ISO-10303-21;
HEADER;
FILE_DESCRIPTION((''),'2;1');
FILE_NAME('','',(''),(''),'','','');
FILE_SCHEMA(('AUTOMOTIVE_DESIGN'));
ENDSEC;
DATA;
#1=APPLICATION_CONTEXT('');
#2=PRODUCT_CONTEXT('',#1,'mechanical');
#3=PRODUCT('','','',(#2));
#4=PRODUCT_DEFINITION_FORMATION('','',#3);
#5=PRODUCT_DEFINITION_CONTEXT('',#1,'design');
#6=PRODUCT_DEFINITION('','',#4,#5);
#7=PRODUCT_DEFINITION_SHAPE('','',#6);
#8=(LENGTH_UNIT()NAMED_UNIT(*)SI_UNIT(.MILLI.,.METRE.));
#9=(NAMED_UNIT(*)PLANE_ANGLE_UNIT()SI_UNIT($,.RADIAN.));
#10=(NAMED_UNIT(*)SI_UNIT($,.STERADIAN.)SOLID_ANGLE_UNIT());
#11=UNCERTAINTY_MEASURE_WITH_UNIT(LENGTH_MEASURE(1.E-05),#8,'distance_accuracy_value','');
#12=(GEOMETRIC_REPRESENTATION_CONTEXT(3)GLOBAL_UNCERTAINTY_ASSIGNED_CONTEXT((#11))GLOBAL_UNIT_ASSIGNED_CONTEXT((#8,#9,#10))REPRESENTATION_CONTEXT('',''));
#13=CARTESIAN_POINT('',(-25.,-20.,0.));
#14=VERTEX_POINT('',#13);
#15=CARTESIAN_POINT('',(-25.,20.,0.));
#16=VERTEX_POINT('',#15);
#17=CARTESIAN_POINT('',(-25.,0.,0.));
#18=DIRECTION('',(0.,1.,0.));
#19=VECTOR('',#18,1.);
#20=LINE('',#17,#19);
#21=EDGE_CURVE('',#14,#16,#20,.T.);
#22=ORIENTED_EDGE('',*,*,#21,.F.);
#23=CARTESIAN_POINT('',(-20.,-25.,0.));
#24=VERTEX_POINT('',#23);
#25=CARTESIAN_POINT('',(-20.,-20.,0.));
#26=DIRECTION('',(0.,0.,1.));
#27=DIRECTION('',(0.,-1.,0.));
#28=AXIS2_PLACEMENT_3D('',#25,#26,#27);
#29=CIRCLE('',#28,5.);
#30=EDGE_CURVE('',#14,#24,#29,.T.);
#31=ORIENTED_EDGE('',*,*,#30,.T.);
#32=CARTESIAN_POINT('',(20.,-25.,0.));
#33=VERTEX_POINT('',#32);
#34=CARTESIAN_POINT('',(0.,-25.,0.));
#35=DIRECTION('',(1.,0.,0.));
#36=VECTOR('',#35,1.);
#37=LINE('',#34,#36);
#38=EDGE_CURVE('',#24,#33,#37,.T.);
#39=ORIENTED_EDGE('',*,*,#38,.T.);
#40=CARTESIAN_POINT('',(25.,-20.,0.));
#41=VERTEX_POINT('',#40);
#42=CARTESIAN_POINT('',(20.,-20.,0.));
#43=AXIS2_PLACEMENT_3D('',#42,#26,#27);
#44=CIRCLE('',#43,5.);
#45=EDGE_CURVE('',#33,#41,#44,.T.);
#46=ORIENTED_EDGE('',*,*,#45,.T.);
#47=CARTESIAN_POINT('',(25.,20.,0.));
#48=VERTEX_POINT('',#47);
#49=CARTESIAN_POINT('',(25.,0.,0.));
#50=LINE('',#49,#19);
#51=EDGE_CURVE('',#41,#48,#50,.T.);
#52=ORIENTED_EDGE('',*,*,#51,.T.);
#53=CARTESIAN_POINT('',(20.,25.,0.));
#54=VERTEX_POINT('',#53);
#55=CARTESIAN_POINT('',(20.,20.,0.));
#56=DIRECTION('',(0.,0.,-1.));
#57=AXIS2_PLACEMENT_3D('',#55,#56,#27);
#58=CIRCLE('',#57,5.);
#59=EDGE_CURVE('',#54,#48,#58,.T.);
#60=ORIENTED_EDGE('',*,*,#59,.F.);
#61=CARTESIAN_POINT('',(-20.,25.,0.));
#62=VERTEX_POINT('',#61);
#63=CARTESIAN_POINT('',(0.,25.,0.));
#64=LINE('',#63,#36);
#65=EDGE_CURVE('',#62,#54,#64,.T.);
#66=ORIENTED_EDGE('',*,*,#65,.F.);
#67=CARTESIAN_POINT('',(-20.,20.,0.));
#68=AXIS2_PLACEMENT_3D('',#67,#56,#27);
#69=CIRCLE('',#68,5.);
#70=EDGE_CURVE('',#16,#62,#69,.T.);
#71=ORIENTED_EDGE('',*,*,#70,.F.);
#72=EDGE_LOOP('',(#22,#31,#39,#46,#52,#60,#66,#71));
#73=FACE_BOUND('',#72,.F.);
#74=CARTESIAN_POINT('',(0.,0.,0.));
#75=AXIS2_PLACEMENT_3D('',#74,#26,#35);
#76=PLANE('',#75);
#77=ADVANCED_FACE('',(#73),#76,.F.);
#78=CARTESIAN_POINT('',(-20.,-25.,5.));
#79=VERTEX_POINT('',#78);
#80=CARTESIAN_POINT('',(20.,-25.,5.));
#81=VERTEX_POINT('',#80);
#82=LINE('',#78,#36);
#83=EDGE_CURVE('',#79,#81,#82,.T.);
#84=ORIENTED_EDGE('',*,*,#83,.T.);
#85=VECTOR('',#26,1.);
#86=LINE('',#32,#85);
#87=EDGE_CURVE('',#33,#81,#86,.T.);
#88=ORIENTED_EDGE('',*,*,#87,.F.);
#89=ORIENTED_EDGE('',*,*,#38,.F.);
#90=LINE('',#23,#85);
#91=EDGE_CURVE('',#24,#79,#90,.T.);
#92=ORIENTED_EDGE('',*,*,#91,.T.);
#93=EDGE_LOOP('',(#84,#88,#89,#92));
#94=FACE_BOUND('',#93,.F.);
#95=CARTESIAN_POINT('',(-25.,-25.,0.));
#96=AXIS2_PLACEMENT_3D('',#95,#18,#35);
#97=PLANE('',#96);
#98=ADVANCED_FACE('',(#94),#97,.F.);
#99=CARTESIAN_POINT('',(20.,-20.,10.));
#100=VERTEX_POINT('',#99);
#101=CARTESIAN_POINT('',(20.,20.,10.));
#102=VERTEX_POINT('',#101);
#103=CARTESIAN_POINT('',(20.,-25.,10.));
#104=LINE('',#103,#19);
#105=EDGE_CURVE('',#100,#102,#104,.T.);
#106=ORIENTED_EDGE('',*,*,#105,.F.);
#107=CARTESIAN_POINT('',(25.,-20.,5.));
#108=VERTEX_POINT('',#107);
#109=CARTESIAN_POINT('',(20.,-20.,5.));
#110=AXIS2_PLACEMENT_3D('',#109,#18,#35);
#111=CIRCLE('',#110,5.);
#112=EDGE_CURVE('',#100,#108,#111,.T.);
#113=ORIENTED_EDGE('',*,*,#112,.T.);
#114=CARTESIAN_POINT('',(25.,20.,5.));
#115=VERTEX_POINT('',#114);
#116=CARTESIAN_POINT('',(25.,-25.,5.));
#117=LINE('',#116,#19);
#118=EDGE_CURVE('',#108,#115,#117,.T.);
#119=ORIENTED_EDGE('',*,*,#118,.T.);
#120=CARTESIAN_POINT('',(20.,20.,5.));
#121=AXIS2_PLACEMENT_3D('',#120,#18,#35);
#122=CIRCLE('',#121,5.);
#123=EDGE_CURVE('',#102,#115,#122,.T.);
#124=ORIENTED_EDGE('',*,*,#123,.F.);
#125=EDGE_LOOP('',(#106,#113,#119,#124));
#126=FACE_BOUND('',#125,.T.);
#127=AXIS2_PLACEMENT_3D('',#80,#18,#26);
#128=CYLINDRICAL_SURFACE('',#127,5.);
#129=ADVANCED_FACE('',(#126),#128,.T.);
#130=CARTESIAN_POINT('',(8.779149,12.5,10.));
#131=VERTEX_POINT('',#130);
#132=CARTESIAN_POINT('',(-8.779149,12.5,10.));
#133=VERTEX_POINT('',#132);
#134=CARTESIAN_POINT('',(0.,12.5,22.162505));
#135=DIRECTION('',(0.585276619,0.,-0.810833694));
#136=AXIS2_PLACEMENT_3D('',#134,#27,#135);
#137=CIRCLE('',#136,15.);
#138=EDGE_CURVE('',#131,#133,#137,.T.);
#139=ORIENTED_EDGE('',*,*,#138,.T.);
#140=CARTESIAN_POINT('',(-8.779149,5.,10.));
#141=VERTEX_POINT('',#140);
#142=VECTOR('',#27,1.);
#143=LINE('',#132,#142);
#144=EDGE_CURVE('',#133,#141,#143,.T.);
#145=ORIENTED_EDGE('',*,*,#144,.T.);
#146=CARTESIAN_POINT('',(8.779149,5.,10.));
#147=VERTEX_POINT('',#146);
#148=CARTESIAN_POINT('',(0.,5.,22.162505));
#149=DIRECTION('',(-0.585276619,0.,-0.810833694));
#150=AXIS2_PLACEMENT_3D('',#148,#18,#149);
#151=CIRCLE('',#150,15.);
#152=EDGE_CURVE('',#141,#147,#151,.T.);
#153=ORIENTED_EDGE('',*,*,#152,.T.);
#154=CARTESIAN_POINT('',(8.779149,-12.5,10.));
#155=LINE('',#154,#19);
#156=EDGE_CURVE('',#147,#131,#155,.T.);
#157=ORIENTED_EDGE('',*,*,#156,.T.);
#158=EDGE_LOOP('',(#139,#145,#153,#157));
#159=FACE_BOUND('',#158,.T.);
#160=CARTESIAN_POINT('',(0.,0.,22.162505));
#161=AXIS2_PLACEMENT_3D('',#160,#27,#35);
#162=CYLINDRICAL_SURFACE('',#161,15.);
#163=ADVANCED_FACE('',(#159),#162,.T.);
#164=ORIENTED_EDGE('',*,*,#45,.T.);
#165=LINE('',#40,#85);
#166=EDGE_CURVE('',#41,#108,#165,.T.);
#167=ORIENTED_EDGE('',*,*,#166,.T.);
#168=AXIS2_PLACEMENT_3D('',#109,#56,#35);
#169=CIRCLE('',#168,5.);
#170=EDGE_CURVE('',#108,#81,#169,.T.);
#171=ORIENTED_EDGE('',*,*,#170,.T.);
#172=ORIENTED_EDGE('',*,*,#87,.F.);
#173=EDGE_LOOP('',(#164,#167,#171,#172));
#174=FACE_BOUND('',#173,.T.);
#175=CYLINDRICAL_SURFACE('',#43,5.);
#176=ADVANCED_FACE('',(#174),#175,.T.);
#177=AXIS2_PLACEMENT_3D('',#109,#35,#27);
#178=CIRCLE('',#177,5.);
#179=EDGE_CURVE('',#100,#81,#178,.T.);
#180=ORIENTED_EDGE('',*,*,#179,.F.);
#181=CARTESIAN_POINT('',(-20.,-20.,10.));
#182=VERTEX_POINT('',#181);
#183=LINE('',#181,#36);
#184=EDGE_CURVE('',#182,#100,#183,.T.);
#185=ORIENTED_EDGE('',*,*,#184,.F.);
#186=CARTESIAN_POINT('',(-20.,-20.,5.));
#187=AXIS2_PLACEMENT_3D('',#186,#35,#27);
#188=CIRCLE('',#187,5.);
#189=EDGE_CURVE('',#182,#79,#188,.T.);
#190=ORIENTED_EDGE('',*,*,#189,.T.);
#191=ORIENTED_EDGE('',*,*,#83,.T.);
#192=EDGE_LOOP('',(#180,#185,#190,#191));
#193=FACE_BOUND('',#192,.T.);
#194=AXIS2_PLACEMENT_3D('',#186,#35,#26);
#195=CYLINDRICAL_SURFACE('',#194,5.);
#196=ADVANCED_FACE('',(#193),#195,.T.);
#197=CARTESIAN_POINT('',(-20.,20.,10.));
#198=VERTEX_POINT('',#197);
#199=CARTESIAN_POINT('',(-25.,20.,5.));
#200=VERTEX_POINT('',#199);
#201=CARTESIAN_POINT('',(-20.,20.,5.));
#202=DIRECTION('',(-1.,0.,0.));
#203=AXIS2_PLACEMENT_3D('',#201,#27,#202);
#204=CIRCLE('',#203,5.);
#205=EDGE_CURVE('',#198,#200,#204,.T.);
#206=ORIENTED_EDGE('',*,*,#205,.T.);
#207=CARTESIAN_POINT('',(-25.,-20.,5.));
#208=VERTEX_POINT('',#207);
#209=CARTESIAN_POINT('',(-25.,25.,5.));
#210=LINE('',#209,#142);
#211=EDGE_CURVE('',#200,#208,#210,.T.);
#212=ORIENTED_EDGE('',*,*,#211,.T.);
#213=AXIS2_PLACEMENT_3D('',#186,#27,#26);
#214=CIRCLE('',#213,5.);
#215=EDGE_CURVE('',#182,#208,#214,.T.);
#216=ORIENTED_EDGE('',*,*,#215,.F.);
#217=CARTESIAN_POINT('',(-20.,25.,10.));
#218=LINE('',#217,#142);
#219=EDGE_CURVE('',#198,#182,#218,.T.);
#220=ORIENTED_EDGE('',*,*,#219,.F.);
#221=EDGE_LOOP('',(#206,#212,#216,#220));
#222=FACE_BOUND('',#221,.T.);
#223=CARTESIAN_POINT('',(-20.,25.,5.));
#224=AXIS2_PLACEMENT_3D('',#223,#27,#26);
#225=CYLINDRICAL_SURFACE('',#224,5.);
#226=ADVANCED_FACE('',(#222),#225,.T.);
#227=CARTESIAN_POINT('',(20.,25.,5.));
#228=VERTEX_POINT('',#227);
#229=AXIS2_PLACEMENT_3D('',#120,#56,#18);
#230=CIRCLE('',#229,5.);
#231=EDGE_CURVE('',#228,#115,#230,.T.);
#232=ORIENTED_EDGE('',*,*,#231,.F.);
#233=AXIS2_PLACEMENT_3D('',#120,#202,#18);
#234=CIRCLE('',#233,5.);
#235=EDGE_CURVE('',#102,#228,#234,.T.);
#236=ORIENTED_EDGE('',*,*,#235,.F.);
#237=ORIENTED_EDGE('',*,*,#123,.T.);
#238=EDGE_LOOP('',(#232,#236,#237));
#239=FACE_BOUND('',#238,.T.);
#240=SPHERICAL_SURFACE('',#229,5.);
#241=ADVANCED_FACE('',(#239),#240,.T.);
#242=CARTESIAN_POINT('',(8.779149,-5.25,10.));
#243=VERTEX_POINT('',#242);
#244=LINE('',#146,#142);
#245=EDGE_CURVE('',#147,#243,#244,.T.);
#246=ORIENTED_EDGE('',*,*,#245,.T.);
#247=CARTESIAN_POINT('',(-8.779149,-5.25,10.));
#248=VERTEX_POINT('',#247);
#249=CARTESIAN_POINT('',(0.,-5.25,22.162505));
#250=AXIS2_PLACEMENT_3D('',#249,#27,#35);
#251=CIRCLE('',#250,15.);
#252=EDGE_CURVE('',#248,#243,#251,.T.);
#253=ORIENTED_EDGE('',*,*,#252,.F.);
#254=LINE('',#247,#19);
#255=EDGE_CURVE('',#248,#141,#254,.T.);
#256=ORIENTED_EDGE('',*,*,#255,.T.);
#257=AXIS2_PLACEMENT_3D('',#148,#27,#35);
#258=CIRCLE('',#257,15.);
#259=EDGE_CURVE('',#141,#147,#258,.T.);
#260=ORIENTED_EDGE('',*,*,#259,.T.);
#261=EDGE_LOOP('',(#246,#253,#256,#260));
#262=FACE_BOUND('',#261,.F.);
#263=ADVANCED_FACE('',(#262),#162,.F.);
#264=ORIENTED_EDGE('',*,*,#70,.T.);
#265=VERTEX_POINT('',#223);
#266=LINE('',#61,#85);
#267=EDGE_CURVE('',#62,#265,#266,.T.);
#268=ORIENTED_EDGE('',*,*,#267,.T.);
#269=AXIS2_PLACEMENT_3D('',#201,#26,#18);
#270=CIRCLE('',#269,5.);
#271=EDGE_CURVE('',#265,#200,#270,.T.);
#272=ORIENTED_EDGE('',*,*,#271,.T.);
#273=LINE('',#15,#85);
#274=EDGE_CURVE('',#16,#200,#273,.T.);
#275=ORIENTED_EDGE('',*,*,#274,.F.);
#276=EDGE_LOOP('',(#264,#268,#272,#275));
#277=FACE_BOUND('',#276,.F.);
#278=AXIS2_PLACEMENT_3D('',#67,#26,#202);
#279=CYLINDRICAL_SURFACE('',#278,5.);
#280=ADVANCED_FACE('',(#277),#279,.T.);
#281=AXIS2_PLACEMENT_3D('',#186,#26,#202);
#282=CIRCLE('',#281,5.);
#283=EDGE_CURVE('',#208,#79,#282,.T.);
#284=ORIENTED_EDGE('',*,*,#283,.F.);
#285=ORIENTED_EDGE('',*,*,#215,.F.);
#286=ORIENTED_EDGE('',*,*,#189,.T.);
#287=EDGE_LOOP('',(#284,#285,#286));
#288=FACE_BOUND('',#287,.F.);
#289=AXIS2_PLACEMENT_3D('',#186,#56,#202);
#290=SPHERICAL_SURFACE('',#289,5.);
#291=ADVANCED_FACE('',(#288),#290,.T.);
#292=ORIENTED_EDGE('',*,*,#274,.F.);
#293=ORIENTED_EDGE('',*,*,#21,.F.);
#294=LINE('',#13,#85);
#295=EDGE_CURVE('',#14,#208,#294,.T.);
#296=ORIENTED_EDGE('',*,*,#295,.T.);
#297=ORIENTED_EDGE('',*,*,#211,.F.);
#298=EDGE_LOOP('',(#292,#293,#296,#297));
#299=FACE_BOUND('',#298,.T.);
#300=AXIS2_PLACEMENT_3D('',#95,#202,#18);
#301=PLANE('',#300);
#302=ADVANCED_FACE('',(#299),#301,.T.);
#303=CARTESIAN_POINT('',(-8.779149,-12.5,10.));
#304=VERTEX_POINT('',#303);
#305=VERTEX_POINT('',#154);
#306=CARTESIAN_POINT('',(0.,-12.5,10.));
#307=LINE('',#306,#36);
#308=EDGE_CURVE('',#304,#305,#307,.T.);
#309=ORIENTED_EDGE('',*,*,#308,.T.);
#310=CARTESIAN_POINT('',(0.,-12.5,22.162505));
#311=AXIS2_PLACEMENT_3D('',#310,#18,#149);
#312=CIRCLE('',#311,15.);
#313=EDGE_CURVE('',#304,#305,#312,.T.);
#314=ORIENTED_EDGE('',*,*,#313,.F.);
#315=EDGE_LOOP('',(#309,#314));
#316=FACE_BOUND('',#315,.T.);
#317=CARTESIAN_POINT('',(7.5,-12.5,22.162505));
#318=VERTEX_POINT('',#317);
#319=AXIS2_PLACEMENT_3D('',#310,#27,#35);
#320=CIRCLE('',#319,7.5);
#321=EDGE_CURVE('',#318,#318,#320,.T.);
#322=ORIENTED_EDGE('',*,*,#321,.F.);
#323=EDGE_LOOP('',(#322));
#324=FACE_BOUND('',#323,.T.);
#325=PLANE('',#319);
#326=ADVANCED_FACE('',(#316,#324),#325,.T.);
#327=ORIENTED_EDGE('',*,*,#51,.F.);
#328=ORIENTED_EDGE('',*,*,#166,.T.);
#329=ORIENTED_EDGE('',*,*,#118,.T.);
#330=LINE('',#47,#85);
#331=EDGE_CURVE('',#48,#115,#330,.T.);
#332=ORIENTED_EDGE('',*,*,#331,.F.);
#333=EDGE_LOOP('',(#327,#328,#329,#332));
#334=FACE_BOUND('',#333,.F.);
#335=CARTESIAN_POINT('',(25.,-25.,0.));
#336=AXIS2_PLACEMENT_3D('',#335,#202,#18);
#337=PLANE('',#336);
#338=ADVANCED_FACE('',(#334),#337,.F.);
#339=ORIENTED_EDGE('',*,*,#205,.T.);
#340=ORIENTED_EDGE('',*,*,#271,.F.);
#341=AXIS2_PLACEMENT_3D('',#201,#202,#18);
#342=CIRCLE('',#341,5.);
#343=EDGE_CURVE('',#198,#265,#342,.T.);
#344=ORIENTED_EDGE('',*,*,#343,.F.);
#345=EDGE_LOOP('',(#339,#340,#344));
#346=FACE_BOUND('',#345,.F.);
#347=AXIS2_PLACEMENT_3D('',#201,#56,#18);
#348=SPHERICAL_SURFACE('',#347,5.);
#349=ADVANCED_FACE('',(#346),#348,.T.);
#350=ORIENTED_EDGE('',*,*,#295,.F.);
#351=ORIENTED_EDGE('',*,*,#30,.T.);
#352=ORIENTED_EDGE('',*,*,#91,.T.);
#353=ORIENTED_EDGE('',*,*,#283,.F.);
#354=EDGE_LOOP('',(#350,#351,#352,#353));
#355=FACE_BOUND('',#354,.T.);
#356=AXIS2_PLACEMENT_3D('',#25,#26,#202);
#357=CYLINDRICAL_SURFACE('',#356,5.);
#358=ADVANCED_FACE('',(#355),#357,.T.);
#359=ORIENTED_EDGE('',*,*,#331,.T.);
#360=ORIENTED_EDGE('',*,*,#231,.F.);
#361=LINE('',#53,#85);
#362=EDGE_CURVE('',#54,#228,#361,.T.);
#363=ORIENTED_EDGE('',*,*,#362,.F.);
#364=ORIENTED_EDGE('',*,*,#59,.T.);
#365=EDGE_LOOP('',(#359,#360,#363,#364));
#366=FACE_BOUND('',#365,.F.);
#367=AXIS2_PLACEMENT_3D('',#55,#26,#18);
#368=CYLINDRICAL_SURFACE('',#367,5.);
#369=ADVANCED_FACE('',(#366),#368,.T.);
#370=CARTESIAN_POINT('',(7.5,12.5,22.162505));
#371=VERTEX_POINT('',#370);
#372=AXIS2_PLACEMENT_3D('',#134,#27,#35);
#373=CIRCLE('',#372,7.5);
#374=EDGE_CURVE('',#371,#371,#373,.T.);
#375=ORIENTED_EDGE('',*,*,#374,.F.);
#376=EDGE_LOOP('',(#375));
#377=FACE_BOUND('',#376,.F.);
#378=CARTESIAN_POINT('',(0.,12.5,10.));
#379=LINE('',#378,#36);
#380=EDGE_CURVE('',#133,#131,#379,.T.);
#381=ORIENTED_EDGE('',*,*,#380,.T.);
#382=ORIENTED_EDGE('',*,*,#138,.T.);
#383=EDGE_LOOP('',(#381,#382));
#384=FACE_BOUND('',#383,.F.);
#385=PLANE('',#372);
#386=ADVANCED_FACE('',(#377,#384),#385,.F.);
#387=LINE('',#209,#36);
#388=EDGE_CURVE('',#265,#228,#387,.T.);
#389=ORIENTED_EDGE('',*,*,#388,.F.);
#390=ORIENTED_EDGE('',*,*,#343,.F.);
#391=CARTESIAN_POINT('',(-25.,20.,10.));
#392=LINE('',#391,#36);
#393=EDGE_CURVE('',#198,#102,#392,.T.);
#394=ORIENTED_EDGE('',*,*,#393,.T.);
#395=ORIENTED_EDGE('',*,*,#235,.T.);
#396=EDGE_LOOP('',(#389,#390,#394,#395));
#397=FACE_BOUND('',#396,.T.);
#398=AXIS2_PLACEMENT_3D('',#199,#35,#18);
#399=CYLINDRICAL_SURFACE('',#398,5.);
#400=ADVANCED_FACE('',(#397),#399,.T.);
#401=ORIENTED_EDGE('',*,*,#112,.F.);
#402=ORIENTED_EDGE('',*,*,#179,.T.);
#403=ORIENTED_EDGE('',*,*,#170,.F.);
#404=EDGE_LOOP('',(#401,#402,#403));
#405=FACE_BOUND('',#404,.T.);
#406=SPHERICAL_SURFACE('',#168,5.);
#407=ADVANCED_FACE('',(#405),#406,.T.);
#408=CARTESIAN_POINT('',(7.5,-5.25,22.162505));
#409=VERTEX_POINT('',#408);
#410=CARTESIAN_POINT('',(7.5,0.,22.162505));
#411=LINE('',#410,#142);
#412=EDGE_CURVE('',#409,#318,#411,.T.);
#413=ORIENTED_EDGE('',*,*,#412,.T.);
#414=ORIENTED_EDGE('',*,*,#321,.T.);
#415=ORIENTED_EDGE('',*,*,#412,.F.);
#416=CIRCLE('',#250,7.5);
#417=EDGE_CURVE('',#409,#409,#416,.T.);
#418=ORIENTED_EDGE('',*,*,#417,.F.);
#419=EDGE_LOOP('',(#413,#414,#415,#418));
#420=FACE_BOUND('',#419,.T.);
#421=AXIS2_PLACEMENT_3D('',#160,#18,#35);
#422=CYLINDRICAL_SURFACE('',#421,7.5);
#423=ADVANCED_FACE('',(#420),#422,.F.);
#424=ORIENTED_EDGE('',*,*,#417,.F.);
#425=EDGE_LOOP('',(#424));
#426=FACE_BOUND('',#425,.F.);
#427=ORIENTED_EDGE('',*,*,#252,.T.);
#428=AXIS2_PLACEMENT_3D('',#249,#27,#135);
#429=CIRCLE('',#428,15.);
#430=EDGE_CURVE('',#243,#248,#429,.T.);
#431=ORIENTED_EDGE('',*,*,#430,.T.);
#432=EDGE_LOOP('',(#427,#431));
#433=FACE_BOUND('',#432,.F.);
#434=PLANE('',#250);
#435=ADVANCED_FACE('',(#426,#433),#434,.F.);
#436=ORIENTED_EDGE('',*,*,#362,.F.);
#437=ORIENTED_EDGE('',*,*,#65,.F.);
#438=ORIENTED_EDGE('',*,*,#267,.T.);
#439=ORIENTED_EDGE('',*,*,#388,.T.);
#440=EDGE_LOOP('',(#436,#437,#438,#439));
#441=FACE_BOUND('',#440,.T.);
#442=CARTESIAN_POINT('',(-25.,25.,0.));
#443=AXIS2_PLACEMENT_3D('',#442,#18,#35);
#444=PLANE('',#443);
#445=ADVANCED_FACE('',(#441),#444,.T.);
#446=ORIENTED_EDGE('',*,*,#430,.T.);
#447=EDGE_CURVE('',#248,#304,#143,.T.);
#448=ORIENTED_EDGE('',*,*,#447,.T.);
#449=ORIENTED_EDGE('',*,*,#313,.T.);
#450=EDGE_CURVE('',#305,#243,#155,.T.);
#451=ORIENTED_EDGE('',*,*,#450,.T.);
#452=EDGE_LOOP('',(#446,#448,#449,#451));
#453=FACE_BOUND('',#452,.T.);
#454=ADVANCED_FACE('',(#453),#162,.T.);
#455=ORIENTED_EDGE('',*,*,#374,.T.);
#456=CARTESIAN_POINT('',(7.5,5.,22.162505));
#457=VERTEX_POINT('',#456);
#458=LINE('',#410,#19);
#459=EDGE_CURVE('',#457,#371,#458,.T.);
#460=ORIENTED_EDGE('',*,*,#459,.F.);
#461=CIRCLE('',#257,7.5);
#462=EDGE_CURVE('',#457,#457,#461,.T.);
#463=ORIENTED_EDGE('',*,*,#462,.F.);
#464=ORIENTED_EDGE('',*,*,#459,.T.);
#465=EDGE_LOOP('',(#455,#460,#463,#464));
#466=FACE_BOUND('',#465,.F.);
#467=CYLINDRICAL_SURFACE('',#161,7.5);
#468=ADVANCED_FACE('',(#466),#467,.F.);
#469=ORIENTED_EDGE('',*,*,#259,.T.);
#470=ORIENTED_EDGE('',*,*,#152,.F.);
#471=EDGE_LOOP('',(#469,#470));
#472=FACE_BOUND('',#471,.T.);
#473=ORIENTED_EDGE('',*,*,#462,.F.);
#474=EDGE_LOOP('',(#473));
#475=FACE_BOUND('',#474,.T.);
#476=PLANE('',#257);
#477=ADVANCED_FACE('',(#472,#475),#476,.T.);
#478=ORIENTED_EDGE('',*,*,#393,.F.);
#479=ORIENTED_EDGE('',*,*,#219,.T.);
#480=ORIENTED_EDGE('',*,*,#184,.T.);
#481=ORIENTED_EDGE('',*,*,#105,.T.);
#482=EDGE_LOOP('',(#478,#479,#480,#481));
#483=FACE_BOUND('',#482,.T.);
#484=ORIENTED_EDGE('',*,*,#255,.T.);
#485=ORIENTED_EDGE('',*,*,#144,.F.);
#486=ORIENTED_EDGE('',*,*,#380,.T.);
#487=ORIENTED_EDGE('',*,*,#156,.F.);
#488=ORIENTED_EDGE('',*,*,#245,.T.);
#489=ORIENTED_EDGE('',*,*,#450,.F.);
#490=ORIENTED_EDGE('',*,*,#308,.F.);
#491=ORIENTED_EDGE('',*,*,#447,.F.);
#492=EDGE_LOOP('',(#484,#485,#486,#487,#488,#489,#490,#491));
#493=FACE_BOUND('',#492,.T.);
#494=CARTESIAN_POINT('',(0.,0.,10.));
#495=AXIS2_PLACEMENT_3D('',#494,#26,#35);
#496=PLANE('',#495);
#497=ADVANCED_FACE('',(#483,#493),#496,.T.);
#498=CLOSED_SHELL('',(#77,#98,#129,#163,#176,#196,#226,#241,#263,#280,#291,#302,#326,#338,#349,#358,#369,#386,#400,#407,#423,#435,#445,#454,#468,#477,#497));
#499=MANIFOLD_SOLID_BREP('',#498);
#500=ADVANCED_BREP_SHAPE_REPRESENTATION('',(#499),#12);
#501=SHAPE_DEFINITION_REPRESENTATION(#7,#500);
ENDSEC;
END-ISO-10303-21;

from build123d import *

# Parameters (mm, degrees)
F0_W          = 50
F0_H          = 50
F1_DEPTH      = 10
F2_R          = 5
F3_R          = 5
F4_R          = 15
F4_R_2        = 7.5
F5_DEPTH      = 12.5
F5_DEPTH_BACK = 12.5
F6_DEPTH      = 5
F6_DEPTH_BACK = 5.25


with BuildPart() as f1:
    # F0 (on Top) → F1 (new body)
    with BuildSketch(Plane.XY):
        Rectangle(F0_W, F0_H)
    extrude(amount=F1_DEPTH)

    # F2
    f2_edges = [f1.edges().sort_by_distance(p)[0] for p in [
        (-25, -25, 5),
    ]]
    fillet(f2_edges, radius=F2_R)

    # F3
    f3_edges = [f1.edges().sort_by_distance(p)[0] for p in [
        (25, -25, 5),
        (-25, 25, 5),
        (25, 25, 5),
        (0, 25, 10),
        (25, 0, 10),
        (2.5, -25, 10),
        (-25, 2.5, 10),
    ]]
    fillet(f3_edges, radius=F3_R)

    # F4 (on Front) → F5 (join, two sides)
    with BuildSketch(Plane.XZ) as f5_sk:
        with Locations((0, 22.1625054122)):
            Circle(F4_R)
        with Locations((0, 22.1625054122)):
            Circle(F4_R_2, mode=Mode.SUBTRACT)
    extrude(amount=F5_DEPTH)
    extrude(f5_sk.sketch, amount=-F5_DEPTH_BACK)

    # F4 (on Front) → F6 (cut, two sides)
    with BuildSketch(Plane.XZ) as f6_sk:
        with Locations((0, 22.1625054122)):
            Circle(F4_R)
        with Locations((0, 22.1625054122)):
            Circle(F4_R_2, mode=Mode.SUBTRACT)
    extrude(amount=-F6_DEPTH, mode=Mode.SUBTRACT)
    extrude(f6_sk.sketch, amount=F6_DEPTH_BACK, mode=Mode.SUBTRACT)


solid = f1.part
